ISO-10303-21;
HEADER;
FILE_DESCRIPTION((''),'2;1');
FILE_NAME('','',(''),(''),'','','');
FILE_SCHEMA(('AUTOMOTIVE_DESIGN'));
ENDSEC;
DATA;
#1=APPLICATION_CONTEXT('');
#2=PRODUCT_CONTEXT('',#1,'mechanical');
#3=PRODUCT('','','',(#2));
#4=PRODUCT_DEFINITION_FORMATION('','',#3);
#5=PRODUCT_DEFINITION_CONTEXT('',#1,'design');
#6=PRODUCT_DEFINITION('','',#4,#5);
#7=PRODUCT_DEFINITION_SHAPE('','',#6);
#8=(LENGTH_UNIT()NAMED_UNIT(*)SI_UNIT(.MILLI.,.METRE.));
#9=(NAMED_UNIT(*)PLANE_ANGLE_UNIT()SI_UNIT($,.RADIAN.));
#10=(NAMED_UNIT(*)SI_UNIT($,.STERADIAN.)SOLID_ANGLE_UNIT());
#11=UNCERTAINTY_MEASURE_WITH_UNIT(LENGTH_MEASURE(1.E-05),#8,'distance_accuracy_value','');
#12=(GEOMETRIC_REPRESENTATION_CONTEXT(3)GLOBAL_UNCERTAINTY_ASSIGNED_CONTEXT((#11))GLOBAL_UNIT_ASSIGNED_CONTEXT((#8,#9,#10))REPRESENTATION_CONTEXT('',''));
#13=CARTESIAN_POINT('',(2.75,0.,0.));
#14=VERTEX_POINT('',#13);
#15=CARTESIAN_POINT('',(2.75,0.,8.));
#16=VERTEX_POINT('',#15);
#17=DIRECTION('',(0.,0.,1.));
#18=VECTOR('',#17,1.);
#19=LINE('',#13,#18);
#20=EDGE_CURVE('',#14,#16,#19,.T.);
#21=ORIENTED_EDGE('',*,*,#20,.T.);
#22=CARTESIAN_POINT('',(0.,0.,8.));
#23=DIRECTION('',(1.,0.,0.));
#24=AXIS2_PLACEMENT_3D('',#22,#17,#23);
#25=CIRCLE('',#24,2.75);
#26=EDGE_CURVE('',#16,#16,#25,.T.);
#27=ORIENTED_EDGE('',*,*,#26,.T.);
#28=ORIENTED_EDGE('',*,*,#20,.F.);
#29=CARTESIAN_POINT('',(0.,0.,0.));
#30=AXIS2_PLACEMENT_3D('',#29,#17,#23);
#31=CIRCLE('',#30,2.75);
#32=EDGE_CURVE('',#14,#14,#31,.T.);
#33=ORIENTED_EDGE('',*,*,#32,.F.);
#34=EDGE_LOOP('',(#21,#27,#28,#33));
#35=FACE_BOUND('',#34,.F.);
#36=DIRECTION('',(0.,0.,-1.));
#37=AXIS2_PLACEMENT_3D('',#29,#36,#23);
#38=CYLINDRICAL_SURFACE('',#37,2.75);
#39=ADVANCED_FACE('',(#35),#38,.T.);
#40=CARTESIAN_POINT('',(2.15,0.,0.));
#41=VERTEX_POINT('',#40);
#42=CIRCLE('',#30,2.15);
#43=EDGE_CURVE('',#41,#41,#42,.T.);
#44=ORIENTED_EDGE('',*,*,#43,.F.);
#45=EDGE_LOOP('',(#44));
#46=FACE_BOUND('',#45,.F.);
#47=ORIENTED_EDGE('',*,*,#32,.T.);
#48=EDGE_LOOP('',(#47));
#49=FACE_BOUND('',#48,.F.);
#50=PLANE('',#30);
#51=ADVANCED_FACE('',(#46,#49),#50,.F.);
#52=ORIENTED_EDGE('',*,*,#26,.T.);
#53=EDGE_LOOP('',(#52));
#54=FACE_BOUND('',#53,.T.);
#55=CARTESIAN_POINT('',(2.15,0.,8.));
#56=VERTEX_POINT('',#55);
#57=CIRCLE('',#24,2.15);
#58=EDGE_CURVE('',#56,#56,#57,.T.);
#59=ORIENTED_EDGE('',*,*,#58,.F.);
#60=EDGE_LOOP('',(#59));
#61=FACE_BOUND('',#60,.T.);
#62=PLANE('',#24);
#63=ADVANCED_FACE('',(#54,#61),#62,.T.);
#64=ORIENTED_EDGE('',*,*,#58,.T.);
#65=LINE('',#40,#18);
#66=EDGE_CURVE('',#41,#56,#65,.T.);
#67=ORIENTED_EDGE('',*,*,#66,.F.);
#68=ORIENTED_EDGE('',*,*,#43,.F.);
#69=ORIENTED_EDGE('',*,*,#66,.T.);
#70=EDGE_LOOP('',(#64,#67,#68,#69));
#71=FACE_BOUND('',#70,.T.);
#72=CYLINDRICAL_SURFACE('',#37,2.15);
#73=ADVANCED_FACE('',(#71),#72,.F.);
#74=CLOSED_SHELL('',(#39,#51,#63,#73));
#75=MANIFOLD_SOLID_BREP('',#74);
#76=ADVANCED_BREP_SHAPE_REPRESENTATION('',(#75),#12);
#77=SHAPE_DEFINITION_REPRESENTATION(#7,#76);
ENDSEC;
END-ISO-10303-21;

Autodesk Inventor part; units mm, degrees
ref_plane "YZ Plane" through (0, 0, 0) normal (1, 0, 0) x (0, 1, 0)
ref_plane "XZ Plane" through (0, 0, 0) normal (0, 1, 0) x (-1, 0, 0)
ref_plane "XY Plane" through (0, 0, 0) normal (0, 0, 1) x (1, 0, 0)
sketch "スケッチ1" plane through (0, 0, 0) normal (0, 0, 1) x (1, 0, 0)
  circle A0 centre (0, 0) radius 2.15
  circle A1 centre (0, 0) radius 2.75
  dimension "d0" = 4.3
  dimension "d1" = 5.5
extrude "押し出し1" add sketch "スケッチ1" along normal blind 8
properties part number "Parts_CoilSpring_CP 0.6-5.5-8" material "鋼"
